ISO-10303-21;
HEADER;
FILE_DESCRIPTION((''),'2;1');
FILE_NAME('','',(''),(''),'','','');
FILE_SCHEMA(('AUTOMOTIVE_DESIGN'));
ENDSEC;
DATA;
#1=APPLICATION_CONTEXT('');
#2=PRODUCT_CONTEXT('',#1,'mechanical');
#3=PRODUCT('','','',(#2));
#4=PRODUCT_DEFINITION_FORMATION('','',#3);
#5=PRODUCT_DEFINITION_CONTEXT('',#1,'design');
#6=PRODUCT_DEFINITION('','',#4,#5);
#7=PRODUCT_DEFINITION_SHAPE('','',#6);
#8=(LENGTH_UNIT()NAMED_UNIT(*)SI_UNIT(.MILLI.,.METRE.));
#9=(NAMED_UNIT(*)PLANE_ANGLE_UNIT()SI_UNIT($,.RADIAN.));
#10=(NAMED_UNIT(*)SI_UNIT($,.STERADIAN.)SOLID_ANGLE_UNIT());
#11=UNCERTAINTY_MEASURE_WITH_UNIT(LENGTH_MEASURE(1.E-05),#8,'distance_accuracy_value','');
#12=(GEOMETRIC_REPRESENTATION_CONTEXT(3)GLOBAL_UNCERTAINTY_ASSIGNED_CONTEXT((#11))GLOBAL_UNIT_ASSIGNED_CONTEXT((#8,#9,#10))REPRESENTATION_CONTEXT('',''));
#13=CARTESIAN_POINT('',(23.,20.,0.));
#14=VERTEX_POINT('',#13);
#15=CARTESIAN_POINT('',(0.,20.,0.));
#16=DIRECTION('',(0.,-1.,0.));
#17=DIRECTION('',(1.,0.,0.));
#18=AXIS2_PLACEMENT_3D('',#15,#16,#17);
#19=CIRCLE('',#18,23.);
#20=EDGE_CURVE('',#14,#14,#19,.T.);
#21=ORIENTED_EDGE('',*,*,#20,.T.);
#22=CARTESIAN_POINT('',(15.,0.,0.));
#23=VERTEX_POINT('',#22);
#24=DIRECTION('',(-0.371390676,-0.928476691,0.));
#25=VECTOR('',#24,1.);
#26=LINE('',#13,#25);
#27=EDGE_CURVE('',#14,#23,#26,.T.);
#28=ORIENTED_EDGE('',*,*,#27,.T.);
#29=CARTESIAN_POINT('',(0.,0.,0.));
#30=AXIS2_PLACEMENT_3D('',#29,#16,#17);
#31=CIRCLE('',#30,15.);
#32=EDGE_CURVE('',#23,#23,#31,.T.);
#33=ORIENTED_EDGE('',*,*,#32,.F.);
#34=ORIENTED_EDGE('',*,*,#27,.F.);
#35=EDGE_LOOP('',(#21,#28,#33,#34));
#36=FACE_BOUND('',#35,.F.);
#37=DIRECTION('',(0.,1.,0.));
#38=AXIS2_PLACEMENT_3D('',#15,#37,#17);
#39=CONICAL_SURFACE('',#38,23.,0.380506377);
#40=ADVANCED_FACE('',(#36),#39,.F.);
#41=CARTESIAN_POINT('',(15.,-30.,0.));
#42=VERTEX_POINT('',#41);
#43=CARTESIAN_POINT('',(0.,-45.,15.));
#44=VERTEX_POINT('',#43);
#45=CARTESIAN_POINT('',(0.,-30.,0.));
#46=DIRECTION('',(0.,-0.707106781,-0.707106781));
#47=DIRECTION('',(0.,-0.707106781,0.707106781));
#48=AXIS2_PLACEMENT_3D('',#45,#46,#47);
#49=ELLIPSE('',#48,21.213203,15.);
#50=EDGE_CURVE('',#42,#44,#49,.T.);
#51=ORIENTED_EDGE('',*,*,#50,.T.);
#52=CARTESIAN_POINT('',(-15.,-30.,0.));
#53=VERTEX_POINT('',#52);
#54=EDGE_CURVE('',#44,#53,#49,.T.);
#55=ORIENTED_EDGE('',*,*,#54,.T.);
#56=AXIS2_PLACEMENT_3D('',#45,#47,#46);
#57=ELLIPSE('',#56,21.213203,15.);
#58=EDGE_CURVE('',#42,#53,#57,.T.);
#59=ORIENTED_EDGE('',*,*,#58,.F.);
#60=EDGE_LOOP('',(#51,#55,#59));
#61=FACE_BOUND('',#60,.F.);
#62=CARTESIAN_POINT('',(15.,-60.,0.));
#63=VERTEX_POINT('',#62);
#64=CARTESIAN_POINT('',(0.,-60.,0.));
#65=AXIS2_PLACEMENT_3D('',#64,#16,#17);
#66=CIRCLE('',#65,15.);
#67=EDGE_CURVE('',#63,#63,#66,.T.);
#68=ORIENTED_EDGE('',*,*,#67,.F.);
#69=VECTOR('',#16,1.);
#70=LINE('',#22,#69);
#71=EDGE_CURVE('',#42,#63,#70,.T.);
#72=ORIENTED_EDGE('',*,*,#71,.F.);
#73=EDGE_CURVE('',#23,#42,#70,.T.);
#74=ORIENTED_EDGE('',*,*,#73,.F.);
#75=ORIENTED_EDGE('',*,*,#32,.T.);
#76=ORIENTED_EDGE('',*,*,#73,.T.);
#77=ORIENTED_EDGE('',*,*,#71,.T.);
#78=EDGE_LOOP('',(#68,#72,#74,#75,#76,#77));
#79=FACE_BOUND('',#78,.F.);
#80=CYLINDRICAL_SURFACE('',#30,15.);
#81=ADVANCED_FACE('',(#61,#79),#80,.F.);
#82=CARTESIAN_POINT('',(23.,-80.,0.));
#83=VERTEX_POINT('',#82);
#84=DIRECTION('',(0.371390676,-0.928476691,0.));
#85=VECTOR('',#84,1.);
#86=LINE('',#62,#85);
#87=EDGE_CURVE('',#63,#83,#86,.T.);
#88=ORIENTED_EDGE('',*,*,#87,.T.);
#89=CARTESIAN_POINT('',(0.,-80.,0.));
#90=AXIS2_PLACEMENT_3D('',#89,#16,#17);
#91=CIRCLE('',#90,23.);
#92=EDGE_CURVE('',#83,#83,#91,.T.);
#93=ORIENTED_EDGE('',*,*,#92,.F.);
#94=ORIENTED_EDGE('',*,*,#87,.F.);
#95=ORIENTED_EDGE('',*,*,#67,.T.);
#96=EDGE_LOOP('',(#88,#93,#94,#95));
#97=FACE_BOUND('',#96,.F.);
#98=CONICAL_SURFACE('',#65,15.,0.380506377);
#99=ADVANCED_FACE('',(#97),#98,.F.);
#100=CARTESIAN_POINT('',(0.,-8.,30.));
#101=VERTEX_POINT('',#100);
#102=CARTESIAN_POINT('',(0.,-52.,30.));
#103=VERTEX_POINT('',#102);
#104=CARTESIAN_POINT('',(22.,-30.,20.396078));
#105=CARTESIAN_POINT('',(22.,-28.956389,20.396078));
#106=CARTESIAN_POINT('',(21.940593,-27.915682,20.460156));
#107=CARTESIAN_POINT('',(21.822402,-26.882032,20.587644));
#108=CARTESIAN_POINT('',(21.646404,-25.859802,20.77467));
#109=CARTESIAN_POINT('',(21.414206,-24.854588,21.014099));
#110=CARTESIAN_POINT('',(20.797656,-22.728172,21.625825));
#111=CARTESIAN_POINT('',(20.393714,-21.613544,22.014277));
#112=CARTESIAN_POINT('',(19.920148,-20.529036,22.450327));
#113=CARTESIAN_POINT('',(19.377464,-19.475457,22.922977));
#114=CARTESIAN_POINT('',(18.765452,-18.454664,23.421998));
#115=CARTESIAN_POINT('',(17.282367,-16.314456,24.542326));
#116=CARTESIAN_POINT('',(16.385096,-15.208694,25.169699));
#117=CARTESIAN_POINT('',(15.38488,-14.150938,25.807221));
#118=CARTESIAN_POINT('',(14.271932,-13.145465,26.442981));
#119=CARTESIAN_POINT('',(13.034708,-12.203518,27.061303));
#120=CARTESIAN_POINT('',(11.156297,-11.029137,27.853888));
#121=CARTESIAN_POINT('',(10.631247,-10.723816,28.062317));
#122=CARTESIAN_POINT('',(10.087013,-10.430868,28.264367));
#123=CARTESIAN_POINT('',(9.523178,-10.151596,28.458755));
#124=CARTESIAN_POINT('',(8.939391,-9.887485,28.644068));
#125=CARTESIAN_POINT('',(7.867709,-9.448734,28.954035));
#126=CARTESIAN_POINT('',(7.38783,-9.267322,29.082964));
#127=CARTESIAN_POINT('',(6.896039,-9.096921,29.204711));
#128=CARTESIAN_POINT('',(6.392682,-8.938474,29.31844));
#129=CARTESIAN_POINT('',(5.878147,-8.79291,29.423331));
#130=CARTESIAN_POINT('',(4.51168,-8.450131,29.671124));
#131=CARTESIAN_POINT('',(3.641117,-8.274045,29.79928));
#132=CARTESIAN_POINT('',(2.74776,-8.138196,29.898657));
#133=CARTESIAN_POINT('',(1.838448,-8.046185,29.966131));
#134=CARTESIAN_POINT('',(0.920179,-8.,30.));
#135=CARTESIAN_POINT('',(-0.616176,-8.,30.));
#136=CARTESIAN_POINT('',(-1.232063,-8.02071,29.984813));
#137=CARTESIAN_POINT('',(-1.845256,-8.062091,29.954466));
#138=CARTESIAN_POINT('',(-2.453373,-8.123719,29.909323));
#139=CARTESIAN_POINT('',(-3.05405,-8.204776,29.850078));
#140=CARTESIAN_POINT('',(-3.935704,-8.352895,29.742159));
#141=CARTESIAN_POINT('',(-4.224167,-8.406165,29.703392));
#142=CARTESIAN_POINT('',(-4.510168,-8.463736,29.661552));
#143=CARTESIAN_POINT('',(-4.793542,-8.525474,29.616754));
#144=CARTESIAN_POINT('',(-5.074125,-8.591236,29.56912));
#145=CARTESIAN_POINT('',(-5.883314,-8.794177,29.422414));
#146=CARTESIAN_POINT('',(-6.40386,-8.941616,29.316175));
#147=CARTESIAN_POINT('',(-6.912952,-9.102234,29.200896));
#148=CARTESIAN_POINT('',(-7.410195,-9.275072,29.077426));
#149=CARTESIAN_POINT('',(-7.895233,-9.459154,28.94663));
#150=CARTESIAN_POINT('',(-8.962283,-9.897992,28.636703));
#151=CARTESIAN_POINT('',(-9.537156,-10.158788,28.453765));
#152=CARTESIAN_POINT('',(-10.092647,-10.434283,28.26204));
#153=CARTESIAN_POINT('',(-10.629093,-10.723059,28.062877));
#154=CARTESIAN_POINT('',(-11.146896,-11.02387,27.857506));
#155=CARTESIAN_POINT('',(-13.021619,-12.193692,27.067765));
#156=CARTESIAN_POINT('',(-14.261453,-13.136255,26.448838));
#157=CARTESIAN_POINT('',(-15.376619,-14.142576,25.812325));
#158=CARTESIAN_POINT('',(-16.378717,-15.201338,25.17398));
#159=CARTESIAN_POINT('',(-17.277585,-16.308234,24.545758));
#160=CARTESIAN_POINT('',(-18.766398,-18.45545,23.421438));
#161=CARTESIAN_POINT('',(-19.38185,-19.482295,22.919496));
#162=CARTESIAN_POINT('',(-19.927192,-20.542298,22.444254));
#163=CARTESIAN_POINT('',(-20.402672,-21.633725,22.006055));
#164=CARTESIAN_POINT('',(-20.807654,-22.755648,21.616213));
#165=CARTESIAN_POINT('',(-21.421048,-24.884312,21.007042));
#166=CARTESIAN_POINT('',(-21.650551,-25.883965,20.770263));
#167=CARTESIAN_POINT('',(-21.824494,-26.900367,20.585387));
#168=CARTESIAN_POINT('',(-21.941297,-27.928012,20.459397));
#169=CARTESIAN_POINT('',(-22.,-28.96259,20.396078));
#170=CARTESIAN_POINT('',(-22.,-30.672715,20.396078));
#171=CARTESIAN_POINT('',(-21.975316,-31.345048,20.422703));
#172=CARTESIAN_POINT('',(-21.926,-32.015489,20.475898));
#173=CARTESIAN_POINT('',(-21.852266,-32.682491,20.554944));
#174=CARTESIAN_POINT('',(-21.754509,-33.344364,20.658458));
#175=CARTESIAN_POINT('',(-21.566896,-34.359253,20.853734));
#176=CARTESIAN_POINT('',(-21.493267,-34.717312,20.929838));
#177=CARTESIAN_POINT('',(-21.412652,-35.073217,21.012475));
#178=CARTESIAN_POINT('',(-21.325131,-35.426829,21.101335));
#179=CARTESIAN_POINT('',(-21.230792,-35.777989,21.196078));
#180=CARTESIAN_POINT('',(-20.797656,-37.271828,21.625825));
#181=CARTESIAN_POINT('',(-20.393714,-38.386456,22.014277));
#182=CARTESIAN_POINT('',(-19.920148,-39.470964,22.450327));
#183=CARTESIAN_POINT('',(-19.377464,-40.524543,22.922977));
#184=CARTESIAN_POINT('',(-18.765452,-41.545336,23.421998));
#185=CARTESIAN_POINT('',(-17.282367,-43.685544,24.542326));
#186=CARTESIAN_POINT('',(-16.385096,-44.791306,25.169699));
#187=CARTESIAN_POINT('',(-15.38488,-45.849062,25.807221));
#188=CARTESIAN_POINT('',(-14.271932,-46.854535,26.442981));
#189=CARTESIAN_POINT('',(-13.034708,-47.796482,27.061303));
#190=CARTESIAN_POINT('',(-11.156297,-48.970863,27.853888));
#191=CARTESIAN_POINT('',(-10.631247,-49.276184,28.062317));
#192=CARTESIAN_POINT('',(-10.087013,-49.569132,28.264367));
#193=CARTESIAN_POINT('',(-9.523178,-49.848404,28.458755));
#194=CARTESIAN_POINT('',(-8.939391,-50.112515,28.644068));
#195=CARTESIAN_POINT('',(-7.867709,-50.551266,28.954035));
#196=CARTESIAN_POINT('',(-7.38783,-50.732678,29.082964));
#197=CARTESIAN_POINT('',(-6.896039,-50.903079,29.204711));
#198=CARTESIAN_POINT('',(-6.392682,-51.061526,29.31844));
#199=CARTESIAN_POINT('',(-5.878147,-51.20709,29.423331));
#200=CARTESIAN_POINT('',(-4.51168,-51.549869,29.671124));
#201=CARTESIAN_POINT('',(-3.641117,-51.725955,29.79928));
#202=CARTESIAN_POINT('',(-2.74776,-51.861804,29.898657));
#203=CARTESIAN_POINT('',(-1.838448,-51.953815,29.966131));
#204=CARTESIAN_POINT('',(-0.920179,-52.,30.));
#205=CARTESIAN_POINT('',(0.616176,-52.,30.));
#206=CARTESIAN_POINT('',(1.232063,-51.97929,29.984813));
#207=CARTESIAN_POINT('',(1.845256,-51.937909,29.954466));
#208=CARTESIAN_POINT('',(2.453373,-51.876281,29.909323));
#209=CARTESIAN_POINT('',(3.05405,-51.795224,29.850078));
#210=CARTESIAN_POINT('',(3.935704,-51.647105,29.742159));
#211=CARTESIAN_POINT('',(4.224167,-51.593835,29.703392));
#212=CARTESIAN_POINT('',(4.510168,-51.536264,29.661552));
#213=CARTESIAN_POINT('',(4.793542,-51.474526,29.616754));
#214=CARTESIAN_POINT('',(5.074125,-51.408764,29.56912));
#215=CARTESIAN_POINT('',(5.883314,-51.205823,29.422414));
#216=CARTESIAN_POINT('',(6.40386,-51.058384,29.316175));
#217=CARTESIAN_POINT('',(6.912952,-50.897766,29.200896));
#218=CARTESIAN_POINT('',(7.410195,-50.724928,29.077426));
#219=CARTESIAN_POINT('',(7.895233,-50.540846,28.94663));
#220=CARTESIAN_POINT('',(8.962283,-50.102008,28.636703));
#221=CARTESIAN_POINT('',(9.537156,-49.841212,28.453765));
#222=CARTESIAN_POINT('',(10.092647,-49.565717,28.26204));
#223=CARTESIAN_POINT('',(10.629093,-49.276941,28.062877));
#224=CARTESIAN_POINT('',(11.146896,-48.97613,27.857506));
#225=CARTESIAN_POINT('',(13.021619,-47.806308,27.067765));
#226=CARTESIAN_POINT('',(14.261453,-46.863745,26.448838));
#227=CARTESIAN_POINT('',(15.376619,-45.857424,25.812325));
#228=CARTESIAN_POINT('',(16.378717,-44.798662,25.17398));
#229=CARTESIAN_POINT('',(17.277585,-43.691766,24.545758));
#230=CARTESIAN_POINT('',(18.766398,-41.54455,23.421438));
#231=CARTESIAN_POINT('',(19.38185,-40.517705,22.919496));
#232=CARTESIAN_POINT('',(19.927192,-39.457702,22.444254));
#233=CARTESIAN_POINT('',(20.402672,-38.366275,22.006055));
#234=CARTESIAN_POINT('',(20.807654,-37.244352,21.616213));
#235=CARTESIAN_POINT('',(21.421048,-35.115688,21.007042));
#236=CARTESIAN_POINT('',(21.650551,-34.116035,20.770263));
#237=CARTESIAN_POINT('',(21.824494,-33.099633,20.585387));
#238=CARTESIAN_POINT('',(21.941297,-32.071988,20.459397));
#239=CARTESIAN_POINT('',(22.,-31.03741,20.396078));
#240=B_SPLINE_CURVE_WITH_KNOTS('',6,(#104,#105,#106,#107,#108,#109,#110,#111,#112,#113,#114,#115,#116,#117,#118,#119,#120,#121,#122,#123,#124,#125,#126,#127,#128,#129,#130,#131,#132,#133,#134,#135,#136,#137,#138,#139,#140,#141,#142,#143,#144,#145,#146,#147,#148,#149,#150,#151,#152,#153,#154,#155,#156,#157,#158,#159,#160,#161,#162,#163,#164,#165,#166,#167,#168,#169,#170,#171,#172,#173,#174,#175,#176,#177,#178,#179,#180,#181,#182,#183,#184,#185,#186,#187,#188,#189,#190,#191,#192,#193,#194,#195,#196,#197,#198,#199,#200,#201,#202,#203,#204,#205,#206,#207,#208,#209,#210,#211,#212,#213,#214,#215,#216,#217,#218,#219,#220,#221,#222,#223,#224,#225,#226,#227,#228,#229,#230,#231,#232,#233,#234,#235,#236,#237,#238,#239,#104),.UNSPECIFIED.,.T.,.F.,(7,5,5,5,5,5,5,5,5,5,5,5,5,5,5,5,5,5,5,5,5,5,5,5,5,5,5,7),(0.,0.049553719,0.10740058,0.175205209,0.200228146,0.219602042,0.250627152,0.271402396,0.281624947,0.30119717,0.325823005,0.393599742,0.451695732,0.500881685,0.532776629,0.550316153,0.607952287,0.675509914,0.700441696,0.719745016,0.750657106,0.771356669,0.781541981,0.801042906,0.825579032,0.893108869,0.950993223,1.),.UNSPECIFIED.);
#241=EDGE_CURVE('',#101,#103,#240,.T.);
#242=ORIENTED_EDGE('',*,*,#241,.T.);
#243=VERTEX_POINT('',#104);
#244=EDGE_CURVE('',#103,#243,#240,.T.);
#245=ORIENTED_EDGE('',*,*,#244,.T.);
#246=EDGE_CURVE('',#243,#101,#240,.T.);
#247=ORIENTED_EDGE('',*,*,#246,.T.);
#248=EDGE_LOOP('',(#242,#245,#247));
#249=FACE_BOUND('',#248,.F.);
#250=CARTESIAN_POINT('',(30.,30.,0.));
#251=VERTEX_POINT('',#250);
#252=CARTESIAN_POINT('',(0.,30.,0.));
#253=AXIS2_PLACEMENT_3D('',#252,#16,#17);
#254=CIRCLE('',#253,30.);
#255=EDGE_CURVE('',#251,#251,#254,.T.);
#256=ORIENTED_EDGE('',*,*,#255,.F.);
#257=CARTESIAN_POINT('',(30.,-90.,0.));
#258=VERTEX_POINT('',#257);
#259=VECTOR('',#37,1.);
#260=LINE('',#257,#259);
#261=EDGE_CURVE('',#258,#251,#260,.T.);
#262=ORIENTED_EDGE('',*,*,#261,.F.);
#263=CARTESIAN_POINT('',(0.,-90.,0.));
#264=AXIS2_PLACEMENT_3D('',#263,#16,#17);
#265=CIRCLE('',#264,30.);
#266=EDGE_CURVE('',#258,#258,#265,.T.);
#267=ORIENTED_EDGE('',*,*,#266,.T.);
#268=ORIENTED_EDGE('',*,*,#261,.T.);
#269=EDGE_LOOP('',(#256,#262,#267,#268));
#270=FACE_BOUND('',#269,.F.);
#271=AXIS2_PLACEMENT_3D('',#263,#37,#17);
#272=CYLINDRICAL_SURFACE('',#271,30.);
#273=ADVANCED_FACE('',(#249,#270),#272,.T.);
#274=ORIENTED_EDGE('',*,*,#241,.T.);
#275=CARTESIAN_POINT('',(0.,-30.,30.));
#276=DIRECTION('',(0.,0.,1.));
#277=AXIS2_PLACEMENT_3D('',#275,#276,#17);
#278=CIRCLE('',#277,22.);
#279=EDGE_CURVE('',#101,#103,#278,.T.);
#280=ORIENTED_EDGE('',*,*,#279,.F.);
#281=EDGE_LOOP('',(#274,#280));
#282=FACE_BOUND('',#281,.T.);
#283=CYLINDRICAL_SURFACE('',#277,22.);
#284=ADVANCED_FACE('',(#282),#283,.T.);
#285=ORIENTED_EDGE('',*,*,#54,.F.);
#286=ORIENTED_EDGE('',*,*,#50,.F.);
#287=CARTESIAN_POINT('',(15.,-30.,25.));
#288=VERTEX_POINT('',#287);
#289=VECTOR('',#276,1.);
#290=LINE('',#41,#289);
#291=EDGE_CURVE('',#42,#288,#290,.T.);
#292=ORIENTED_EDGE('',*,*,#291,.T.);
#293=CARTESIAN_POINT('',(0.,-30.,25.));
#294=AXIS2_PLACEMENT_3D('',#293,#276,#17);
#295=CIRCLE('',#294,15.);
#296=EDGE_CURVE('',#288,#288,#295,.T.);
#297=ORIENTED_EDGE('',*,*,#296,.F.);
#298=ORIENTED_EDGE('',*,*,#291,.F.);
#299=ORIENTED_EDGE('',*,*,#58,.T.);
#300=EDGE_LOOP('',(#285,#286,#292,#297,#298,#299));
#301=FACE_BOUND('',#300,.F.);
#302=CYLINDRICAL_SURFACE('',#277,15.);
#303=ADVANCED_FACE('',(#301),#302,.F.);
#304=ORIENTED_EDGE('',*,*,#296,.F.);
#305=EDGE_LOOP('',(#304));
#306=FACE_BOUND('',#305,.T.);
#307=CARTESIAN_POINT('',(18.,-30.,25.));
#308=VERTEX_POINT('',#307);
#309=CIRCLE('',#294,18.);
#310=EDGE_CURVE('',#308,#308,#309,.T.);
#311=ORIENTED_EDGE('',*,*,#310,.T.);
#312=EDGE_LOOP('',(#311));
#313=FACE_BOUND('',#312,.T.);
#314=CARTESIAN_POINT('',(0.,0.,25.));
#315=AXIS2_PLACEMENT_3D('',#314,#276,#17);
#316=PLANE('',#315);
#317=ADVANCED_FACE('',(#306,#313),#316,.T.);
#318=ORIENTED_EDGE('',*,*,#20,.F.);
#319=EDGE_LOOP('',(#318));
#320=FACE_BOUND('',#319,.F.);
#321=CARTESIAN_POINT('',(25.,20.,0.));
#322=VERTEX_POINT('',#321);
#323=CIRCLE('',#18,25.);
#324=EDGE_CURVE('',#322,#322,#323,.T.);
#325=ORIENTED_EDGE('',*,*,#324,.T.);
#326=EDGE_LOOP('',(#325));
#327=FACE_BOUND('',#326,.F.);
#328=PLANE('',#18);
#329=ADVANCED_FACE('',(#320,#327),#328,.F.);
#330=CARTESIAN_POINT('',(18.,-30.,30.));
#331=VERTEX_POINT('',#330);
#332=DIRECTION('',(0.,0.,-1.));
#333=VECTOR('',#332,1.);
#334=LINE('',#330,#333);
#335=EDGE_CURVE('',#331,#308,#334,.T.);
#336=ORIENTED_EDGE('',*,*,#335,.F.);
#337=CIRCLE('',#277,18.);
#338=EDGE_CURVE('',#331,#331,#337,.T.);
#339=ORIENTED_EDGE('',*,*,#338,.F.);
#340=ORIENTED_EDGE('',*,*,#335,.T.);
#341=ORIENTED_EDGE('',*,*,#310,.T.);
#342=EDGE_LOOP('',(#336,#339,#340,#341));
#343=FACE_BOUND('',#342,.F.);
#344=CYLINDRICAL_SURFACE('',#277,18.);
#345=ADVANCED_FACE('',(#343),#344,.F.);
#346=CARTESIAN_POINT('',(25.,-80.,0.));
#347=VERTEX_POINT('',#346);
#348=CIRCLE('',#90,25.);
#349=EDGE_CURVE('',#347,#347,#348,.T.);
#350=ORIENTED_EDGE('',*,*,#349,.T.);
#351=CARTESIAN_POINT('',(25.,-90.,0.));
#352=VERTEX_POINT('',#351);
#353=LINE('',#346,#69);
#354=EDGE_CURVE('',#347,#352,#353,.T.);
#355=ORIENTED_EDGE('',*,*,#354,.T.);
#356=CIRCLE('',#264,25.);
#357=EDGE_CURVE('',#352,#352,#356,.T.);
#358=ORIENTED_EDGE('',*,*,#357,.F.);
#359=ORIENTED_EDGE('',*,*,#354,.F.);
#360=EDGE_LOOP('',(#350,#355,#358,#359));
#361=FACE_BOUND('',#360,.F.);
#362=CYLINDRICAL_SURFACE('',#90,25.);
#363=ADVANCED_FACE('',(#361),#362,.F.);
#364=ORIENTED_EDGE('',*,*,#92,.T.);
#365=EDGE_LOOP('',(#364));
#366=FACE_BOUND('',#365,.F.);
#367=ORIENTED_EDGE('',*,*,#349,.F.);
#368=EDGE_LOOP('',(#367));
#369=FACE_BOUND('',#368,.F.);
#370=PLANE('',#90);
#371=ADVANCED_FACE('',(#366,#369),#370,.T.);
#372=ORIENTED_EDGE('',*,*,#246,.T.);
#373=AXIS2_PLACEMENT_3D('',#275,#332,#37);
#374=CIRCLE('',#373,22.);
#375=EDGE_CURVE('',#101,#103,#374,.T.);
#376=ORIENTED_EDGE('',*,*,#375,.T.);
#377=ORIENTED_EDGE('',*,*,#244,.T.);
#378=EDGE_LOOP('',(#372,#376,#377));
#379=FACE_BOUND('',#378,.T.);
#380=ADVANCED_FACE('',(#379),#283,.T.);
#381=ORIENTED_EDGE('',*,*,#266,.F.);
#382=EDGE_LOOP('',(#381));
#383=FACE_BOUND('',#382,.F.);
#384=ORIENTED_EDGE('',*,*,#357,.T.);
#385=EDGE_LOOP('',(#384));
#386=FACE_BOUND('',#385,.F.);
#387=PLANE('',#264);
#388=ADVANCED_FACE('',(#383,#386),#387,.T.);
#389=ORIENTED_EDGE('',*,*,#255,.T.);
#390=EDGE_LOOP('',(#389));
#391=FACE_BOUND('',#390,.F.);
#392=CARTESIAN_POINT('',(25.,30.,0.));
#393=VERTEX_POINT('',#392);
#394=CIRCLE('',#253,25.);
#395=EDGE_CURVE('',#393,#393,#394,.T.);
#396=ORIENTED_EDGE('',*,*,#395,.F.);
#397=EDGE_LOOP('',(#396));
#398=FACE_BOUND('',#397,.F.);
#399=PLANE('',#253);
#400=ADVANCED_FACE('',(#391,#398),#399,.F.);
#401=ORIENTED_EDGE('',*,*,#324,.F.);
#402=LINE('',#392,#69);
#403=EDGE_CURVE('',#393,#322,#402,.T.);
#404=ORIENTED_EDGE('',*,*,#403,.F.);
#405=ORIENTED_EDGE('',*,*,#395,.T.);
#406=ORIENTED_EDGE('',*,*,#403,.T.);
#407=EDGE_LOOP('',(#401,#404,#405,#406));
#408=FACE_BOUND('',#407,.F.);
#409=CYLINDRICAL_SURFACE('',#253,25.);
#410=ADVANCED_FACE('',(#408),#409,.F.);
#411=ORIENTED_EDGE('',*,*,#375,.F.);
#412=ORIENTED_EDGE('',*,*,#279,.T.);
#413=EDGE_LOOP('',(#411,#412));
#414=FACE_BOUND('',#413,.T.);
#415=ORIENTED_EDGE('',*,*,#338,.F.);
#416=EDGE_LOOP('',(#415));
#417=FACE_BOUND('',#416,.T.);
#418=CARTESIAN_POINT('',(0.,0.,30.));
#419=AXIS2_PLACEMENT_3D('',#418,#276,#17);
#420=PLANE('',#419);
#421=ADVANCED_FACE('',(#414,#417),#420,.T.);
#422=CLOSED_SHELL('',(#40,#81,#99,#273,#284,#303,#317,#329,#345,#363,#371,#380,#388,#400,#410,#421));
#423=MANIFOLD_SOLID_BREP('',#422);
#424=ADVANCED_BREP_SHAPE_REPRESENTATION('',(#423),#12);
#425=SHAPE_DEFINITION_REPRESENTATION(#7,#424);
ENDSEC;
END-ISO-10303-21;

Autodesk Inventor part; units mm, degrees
sketch "Esquisse2" plane through (0, 0, 0) normal (0, 0, 1) x (1, 0, 0)
  line L0 (0, 16.6667) -> (0, -18.8492)
  line L1 (0, 54) -> (0, -114) construction
  line L2 (30, 30) -> (25, 30)
  line L3 (25, 30) -> (25, 20)
  line L4 (25, 20) -> (23, 20)
  line L5 (23, 20) -> (15, 0)
  line L6 (15, 0) -> (15, -60)
  line L7 (15, -60) -> (23, -80)
  line L8 (23, -80) -> (25, -80)
  line L9 (25, -80) -> (25, -90)
  line L10 (25, -90) -> (30, -90)
  line L11 (30, -90) -> (30, 30)
  line L12 (-6, 0) -> (36, 0) construction
  dimension "d4" = 30
  dimension "d5" = 50
  dimension "d6" = 60
  dimension "d8" = 10
  dimension "d9" = 100
  dimension "d10" = 30
  dimension "d11" = 10
  dimension "d12" = 2
  dimension "d13" = 2
  dimension "d14" = 20
  dimension "d15" = 20
  dimension "d17" = 21.801
revolve "Révolution1" add sketch "Esquisse2" angle 360 about axis through (0, 16.6667, 0) along (0, -1, 0)
ref_plane "Plan de construction1" through (0, 0, 30) normal (0, 0, 1) x (1, 0, 0)
sketch "Esquisse3" plane through (0, 0, 30) normal (0, 0, 1) x (1, 0, 0)
  line L0 (-15, -60) -> (15, -60) construction
  line L1 (-15, 0) -> (-23, 20) construction
  line L2 (15, 0) -> (23, 20) construction
  line L3 (-32.34, 0) -> (32.34, 0) construction
  line L4 (-23, -80) -> (-15, -60) construction
  line L5 (23, -80) -> (15, -60) construction
  circle A0 centre (0, -30) radius 15
  line L6 (0, 40) -> (0, -100) construction
  line L7 (-15, -60) -> (-15, 0) construction
  line L8 (15, -60) -> (15, 0) construction
  point P0 (0, 0)
  dimension "d19" = 60
  dimension "d20" = 30
  dimension "d21" = 30
extrude "Extrusion1" cut sketch "Esquisse3" against normal blind 30
sketch "Esquisse4" plane through (0, 0, 30) normal (0, 0, 1) x (1, 0, 0)
  arc A0 (15, -30) -> (-15, -30) centre (0, -30) ccw construction
  arc A1 (-15, -30) -> (15, -30) centre (0, -30) ccw construction
  line L0 (-15, -60) -> (15, -60) construction
  line L1 (-15, 0) -> (15, 0) construction
  circle A2 centre (0, -30) radius 22
  circle A3 centre (0, -30) radius 15
  point P0 (0, 0)
  point P1 (0, -15)
  point P2 (0, -45)
  dimension "d24" = 44
extrude "Extrusion2" add sketch "Esquisse4" against normal blind 10
sketch "Esquisse6" plane through (0, 0, 30) normal (0, 0, 1) x (1, 0, 0)
  circle A0 centre (0, -30) radius 15 construction
  arc A1 (0, -8) -> (0, -52) centre (0, -30) ccw construction
  arc A2 (0, -52) -> (0, -8) centre (0, -30) ccw construction
  circle A3 centre (0, -30) radius 15
  circle A4 centre (0, -30) radius 18
  point P0 (0, 0)
  dimension "d27" = 36
extrude "Extrusion3" cut sketch "Esquisse6" against normal blind 5
properties part number "P007_CanonSupportRervoir"
